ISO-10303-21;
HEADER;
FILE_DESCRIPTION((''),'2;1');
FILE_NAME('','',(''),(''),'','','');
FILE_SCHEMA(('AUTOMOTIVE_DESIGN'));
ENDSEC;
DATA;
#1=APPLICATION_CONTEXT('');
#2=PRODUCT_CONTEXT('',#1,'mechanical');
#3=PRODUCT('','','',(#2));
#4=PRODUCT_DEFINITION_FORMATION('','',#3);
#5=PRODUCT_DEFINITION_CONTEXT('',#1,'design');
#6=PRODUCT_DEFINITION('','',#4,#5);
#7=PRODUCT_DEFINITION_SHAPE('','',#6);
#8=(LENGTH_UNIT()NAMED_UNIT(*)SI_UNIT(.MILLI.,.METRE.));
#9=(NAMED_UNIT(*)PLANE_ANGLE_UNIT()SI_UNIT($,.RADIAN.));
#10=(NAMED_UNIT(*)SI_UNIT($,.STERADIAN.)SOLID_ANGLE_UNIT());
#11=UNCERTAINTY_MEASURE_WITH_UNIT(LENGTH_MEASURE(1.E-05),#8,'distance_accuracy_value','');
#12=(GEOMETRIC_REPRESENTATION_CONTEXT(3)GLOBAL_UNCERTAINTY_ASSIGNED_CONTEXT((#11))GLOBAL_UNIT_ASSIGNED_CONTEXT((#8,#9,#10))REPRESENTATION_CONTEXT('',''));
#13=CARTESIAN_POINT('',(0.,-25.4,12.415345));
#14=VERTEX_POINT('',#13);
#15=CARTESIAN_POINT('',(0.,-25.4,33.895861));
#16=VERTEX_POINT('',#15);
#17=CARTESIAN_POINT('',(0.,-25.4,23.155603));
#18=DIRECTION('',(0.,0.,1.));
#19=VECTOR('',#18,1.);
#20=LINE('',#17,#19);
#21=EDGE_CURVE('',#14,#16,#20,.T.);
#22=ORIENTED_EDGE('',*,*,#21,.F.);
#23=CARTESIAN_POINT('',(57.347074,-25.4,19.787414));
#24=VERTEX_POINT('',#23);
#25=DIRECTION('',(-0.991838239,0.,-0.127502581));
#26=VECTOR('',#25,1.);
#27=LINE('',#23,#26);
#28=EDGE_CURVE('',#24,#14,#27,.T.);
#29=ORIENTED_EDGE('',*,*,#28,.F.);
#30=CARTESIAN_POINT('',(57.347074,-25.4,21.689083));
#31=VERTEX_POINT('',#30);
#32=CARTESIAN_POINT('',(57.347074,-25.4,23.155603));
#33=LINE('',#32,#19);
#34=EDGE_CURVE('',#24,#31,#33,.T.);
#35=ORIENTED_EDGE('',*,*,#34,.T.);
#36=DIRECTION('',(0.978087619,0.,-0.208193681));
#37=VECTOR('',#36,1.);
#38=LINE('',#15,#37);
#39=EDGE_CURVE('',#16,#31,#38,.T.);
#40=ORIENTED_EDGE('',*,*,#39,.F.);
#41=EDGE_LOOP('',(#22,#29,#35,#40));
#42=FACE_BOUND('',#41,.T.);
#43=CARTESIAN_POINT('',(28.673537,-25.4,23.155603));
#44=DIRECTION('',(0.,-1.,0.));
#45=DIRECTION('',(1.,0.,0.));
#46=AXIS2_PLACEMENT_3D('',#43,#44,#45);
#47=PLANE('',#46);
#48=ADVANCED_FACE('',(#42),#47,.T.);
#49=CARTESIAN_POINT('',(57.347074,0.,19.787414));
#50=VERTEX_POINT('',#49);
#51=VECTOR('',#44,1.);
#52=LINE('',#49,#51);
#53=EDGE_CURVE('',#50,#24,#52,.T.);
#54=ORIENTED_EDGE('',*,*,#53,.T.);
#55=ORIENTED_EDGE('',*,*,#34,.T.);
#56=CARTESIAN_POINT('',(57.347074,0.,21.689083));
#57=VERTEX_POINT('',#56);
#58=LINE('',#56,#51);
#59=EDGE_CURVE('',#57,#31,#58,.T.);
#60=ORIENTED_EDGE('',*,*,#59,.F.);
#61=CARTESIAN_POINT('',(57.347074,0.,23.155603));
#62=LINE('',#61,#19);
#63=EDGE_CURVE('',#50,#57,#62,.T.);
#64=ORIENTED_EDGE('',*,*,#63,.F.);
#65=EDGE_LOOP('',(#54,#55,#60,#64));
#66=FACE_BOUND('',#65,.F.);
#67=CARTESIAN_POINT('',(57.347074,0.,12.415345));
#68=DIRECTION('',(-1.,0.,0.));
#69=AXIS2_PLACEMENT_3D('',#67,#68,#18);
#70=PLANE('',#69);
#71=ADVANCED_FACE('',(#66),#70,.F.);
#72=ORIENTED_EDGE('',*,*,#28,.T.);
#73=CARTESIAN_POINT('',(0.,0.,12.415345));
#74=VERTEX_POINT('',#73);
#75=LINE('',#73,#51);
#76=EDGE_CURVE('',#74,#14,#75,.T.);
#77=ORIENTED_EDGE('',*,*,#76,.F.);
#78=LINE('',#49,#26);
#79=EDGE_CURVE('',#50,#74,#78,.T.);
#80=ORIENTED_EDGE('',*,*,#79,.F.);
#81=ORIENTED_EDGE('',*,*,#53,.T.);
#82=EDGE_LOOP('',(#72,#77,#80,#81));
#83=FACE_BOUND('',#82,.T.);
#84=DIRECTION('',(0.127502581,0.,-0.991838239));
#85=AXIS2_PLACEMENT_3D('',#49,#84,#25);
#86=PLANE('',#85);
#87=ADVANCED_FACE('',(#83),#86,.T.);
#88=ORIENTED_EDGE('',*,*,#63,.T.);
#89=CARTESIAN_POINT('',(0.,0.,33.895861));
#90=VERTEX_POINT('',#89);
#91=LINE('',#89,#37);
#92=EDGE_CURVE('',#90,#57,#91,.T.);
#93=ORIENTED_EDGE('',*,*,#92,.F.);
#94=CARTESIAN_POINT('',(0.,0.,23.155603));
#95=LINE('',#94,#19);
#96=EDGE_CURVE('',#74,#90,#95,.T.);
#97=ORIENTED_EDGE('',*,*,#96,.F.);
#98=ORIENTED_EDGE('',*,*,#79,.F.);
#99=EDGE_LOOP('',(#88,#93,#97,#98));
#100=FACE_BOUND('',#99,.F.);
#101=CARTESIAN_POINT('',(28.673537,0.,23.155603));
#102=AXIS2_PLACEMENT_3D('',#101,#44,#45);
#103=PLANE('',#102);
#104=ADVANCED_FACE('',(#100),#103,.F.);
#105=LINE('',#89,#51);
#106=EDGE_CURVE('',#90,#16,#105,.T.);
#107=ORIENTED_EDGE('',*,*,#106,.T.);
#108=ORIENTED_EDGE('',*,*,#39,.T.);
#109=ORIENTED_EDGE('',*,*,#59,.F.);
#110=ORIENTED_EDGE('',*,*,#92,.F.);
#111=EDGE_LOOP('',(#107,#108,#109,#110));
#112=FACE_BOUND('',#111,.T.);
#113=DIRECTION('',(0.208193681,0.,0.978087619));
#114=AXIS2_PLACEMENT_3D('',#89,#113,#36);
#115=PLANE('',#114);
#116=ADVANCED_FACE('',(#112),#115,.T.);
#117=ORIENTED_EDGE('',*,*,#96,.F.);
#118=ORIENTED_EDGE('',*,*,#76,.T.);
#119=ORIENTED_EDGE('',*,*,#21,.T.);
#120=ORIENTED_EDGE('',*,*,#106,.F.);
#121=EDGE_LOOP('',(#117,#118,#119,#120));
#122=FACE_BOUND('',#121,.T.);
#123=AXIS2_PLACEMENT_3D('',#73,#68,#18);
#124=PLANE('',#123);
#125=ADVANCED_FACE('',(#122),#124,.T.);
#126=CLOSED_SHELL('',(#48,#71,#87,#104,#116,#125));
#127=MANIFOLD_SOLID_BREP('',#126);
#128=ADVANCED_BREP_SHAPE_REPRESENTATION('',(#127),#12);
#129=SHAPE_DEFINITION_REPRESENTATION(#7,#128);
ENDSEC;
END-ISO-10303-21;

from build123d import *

# Parameters (mm, degrees)
F0_W     = 57.347074
F0_H     = 21.480516
F1_DEPTH = 25.4
F3_DEPTH = 25.4
F5_DEPTH = 25.4


with BuildPart() as f1:
    # F0 (on Front) → F1 (new body)
    with BuildSketch(Plane.XZ):
        with Locations((28.673537, 23.155603)):
            Rectangle(F0_W, F0_H)
    extrude(amount=F1_DEPTH)

    # F2 (on Front) → F3 (cut)
    with BuildSketch(Plane.XZ):
        Polygon((57.347074, 33.895861), (0, 33.895861), (57.347074, 21.689083), align=None)
    extrude(amount=F3_DEPTH, mode=Mode.SUBTRACT)

    # F4 (on Front) → F5 (cut)
    with BuildSketch(Plane.XZ):
        Polygon((57.347074, 19.787414), (0, 12.415345), (57.347074, 12.415345), align=None)
    extrude(amount=F5_DEPTH, mode=Mode.SUBTRACT)


solid = f1.part
